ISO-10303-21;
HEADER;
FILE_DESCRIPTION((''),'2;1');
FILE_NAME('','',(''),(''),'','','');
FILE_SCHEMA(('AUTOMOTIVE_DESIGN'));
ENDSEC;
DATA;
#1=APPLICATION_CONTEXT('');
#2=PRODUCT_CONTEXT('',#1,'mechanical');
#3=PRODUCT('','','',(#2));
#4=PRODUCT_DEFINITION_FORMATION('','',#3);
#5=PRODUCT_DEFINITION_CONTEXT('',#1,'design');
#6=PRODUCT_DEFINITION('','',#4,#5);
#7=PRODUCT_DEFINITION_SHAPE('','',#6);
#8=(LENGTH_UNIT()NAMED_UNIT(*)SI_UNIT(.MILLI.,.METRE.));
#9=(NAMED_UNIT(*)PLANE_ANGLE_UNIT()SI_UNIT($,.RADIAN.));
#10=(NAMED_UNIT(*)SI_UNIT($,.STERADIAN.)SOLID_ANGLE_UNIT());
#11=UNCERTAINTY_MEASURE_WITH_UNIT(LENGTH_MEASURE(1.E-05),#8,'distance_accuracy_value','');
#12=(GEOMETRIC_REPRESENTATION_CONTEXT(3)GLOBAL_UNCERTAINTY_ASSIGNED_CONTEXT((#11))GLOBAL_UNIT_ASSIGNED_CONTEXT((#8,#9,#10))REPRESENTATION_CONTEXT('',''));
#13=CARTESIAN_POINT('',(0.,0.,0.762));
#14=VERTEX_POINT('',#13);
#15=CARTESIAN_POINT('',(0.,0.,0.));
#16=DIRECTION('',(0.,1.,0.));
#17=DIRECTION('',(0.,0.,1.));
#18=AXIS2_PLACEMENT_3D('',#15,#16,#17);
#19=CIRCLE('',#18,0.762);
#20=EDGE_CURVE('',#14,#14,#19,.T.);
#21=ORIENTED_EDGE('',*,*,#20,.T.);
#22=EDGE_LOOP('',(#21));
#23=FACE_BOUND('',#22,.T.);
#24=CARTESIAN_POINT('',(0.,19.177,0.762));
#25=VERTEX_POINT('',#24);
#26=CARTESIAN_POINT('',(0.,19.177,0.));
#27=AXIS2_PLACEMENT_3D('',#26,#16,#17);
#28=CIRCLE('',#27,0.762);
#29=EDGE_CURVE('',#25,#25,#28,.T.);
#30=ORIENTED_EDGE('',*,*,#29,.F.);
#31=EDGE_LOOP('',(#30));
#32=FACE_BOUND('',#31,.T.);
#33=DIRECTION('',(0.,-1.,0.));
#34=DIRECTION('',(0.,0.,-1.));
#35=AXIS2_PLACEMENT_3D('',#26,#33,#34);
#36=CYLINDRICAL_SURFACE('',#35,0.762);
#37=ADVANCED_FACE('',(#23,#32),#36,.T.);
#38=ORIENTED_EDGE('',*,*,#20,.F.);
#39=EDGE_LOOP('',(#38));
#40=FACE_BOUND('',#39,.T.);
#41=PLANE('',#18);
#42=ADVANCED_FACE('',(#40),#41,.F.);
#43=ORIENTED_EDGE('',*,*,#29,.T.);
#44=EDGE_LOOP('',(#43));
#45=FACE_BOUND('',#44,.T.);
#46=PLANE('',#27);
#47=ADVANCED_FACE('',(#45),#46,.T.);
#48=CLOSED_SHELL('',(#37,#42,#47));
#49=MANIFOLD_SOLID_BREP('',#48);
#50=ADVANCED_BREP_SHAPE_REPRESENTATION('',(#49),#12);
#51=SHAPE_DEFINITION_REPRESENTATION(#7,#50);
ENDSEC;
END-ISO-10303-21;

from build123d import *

# Parameters (mm, degrees)
SKETCH1_R           = 0.762
BOSS_EXTRUDE1_DEPTH = 19.177


with BuildPart() as part:
    # Sketch1 → Boss-Extrude1 (new body)
    with BuildSketch(Plane(origin=(0, 0, 0), x_dir=(1, 0, 0), z_dir=(0, 1, 0))):
        Circle(SKETCH1_R)
    extrude(amount=BOSS_EXTRUDE1_DEPTH)


solid = part.part
